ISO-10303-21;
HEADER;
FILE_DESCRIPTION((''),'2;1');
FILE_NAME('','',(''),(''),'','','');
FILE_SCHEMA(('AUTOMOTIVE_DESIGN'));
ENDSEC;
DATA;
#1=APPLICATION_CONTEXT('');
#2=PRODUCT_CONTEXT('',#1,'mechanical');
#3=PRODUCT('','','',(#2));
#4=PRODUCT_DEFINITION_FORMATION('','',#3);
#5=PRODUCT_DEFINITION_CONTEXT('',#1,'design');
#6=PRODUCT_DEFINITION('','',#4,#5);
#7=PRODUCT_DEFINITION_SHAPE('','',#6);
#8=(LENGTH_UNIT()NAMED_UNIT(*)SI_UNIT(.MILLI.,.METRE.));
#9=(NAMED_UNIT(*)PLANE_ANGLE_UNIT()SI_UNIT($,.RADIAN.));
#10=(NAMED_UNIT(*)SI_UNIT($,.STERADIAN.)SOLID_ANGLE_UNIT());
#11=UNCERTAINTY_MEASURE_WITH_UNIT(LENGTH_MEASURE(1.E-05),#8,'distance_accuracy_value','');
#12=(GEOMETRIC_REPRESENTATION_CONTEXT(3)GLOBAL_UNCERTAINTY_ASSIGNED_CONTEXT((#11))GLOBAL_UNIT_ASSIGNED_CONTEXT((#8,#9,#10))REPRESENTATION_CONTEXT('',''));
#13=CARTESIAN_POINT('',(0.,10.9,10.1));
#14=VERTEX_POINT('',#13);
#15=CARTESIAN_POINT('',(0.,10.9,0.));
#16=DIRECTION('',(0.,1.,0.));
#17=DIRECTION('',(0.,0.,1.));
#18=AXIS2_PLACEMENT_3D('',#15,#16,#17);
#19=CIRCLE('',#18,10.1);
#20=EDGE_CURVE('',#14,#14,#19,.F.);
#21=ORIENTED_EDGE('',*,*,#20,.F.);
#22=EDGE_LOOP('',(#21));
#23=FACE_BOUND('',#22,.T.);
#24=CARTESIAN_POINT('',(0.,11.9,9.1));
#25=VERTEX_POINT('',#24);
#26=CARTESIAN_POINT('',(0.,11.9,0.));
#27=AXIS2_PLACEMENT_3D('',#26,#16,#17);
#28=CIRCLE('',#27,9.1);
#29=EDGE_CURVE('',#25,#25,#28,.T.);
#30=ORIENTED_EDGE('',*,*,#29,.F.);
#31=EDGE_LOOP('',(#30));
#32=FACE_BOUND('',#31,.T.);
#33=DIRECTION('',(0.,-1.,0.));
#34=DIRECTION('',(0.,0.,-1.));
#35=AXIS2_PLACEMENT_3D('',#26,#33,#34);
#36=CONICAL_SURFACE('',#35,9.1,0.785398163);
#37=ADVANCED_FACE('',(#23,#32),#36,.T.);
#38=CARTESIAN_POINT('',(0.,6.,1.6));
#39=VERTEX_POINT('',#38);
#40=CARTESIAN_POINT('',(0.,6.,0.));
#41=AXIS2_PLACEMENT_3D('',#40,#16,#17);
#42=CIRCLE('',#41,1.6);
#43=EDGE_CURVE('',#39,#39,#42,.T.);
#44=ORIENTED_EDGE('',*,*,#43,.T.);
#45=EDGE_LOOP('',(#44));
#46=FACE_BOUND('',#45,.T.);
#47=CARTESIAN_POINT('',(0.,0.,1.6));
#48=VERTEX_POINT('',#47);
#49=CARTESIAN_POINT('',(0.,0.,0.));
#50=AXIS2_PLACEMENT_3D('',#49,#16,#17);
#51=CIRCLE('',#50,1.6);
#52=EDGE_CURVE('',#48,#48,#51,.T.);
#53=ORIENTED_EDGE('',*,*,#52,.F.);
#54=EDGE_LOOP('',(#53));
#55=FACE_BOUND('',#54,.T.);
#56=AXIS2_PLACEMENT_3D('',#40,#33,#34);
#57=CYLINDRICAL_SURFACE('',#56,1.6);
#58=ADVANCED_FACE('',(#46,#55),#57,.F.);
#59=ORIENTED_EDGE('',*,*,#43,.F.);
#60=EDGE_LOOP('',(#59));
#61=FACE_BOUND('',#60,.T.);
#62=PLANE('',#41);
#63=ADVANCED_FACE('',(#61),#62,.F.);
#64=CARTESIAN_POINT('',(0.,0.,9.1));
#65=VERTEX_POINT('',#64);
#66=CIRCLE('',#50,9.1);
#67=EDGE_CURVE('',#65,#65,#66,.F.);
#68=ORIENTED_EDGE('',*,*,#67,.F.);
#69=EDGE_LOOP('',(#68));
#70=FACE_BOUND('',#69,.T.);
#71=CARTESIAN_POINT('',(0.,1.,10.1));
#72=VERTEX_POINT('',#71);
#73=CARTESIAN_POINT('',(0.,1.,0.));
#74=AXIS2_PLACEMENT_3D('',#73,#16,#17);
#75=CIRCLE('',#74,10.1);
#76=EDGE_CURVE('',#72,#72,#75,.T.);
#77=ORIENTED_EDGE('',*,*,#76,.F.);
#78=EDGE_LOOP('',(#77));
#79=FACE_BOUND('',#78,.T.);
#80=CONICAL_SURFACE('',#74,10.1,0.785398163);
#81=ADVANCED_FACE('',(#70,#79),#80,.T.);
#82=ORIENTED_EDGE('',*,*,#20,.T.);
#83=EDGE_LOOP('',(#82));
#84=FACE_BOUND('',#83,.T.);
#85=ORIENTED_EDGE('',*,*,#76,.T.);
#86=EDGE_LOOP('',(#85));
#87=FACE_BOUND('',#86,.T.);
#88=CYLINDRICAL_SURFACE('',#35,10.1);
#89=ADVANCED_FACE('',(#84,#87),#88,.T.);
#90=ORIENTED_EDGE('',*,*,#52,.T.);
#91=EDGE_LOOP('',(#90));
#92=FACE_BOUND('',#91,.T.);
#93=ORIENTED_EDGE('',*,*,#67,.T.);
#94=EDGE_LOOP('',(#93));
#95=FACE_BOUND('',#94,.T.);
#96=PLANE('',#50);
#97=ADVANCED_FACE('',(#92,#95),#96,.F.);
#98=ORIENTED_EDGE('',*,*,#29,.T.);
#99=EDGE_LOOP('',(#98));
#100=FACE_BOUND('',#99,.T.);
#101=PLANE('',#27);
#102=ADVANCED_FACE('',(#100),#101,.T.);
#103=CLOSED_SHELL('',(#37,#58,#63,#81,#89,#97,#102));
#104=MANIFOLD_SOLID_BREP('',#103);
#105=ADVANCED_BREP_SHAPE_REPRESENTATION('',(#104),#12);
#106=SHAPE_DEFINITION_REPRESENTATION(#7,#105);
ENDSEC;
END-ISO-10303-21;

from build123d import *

# Parameters (mm, degrees)
SKETCH1_R           = 10.1
BOSS_EXTRUDE1_DEPTH = 11.9
SKETCH1_4_R         = 1.6
CUT_EXTRUDE1_DEPTH  = 6
CHAMFER1_SIZE       = 1


with BuildPart() as part:
    # Sketch1 → Boss-Extrude1 (new body)
    with BuildSketch(Plane(origin=(0, 0, 0), x_dir=(1, 0, 0), z_dir=(0, 1, 0))):
        Circle(SKETCH1_R)
    extrude(amount=BOSS_EXTRUDE1_DEPTH)

    # Sketch1<4> → Cut-Extrude1 (cut)
    with BuildSketch(Plane(origin=(0, 0, 0), x_dir=(1, 0, 0), z_dir=(0, 1, 0))):
        Circle(SKETCH1_4_R)
    extrude(amount=CUT_EXTRUDE1_DEPTH, mode=Mode.SUBTRACT)

    # Chamfer1
    chamfer1_edges = [part.edges().sort_by_distance(p)[0] for p in [
        (-10.1, 11.9, 0),
        (-10.1, 0, 0),
    ]]
    chamfer(chamfer1_edges, length=CHAMFER1_SIZE)


solid = part.part
